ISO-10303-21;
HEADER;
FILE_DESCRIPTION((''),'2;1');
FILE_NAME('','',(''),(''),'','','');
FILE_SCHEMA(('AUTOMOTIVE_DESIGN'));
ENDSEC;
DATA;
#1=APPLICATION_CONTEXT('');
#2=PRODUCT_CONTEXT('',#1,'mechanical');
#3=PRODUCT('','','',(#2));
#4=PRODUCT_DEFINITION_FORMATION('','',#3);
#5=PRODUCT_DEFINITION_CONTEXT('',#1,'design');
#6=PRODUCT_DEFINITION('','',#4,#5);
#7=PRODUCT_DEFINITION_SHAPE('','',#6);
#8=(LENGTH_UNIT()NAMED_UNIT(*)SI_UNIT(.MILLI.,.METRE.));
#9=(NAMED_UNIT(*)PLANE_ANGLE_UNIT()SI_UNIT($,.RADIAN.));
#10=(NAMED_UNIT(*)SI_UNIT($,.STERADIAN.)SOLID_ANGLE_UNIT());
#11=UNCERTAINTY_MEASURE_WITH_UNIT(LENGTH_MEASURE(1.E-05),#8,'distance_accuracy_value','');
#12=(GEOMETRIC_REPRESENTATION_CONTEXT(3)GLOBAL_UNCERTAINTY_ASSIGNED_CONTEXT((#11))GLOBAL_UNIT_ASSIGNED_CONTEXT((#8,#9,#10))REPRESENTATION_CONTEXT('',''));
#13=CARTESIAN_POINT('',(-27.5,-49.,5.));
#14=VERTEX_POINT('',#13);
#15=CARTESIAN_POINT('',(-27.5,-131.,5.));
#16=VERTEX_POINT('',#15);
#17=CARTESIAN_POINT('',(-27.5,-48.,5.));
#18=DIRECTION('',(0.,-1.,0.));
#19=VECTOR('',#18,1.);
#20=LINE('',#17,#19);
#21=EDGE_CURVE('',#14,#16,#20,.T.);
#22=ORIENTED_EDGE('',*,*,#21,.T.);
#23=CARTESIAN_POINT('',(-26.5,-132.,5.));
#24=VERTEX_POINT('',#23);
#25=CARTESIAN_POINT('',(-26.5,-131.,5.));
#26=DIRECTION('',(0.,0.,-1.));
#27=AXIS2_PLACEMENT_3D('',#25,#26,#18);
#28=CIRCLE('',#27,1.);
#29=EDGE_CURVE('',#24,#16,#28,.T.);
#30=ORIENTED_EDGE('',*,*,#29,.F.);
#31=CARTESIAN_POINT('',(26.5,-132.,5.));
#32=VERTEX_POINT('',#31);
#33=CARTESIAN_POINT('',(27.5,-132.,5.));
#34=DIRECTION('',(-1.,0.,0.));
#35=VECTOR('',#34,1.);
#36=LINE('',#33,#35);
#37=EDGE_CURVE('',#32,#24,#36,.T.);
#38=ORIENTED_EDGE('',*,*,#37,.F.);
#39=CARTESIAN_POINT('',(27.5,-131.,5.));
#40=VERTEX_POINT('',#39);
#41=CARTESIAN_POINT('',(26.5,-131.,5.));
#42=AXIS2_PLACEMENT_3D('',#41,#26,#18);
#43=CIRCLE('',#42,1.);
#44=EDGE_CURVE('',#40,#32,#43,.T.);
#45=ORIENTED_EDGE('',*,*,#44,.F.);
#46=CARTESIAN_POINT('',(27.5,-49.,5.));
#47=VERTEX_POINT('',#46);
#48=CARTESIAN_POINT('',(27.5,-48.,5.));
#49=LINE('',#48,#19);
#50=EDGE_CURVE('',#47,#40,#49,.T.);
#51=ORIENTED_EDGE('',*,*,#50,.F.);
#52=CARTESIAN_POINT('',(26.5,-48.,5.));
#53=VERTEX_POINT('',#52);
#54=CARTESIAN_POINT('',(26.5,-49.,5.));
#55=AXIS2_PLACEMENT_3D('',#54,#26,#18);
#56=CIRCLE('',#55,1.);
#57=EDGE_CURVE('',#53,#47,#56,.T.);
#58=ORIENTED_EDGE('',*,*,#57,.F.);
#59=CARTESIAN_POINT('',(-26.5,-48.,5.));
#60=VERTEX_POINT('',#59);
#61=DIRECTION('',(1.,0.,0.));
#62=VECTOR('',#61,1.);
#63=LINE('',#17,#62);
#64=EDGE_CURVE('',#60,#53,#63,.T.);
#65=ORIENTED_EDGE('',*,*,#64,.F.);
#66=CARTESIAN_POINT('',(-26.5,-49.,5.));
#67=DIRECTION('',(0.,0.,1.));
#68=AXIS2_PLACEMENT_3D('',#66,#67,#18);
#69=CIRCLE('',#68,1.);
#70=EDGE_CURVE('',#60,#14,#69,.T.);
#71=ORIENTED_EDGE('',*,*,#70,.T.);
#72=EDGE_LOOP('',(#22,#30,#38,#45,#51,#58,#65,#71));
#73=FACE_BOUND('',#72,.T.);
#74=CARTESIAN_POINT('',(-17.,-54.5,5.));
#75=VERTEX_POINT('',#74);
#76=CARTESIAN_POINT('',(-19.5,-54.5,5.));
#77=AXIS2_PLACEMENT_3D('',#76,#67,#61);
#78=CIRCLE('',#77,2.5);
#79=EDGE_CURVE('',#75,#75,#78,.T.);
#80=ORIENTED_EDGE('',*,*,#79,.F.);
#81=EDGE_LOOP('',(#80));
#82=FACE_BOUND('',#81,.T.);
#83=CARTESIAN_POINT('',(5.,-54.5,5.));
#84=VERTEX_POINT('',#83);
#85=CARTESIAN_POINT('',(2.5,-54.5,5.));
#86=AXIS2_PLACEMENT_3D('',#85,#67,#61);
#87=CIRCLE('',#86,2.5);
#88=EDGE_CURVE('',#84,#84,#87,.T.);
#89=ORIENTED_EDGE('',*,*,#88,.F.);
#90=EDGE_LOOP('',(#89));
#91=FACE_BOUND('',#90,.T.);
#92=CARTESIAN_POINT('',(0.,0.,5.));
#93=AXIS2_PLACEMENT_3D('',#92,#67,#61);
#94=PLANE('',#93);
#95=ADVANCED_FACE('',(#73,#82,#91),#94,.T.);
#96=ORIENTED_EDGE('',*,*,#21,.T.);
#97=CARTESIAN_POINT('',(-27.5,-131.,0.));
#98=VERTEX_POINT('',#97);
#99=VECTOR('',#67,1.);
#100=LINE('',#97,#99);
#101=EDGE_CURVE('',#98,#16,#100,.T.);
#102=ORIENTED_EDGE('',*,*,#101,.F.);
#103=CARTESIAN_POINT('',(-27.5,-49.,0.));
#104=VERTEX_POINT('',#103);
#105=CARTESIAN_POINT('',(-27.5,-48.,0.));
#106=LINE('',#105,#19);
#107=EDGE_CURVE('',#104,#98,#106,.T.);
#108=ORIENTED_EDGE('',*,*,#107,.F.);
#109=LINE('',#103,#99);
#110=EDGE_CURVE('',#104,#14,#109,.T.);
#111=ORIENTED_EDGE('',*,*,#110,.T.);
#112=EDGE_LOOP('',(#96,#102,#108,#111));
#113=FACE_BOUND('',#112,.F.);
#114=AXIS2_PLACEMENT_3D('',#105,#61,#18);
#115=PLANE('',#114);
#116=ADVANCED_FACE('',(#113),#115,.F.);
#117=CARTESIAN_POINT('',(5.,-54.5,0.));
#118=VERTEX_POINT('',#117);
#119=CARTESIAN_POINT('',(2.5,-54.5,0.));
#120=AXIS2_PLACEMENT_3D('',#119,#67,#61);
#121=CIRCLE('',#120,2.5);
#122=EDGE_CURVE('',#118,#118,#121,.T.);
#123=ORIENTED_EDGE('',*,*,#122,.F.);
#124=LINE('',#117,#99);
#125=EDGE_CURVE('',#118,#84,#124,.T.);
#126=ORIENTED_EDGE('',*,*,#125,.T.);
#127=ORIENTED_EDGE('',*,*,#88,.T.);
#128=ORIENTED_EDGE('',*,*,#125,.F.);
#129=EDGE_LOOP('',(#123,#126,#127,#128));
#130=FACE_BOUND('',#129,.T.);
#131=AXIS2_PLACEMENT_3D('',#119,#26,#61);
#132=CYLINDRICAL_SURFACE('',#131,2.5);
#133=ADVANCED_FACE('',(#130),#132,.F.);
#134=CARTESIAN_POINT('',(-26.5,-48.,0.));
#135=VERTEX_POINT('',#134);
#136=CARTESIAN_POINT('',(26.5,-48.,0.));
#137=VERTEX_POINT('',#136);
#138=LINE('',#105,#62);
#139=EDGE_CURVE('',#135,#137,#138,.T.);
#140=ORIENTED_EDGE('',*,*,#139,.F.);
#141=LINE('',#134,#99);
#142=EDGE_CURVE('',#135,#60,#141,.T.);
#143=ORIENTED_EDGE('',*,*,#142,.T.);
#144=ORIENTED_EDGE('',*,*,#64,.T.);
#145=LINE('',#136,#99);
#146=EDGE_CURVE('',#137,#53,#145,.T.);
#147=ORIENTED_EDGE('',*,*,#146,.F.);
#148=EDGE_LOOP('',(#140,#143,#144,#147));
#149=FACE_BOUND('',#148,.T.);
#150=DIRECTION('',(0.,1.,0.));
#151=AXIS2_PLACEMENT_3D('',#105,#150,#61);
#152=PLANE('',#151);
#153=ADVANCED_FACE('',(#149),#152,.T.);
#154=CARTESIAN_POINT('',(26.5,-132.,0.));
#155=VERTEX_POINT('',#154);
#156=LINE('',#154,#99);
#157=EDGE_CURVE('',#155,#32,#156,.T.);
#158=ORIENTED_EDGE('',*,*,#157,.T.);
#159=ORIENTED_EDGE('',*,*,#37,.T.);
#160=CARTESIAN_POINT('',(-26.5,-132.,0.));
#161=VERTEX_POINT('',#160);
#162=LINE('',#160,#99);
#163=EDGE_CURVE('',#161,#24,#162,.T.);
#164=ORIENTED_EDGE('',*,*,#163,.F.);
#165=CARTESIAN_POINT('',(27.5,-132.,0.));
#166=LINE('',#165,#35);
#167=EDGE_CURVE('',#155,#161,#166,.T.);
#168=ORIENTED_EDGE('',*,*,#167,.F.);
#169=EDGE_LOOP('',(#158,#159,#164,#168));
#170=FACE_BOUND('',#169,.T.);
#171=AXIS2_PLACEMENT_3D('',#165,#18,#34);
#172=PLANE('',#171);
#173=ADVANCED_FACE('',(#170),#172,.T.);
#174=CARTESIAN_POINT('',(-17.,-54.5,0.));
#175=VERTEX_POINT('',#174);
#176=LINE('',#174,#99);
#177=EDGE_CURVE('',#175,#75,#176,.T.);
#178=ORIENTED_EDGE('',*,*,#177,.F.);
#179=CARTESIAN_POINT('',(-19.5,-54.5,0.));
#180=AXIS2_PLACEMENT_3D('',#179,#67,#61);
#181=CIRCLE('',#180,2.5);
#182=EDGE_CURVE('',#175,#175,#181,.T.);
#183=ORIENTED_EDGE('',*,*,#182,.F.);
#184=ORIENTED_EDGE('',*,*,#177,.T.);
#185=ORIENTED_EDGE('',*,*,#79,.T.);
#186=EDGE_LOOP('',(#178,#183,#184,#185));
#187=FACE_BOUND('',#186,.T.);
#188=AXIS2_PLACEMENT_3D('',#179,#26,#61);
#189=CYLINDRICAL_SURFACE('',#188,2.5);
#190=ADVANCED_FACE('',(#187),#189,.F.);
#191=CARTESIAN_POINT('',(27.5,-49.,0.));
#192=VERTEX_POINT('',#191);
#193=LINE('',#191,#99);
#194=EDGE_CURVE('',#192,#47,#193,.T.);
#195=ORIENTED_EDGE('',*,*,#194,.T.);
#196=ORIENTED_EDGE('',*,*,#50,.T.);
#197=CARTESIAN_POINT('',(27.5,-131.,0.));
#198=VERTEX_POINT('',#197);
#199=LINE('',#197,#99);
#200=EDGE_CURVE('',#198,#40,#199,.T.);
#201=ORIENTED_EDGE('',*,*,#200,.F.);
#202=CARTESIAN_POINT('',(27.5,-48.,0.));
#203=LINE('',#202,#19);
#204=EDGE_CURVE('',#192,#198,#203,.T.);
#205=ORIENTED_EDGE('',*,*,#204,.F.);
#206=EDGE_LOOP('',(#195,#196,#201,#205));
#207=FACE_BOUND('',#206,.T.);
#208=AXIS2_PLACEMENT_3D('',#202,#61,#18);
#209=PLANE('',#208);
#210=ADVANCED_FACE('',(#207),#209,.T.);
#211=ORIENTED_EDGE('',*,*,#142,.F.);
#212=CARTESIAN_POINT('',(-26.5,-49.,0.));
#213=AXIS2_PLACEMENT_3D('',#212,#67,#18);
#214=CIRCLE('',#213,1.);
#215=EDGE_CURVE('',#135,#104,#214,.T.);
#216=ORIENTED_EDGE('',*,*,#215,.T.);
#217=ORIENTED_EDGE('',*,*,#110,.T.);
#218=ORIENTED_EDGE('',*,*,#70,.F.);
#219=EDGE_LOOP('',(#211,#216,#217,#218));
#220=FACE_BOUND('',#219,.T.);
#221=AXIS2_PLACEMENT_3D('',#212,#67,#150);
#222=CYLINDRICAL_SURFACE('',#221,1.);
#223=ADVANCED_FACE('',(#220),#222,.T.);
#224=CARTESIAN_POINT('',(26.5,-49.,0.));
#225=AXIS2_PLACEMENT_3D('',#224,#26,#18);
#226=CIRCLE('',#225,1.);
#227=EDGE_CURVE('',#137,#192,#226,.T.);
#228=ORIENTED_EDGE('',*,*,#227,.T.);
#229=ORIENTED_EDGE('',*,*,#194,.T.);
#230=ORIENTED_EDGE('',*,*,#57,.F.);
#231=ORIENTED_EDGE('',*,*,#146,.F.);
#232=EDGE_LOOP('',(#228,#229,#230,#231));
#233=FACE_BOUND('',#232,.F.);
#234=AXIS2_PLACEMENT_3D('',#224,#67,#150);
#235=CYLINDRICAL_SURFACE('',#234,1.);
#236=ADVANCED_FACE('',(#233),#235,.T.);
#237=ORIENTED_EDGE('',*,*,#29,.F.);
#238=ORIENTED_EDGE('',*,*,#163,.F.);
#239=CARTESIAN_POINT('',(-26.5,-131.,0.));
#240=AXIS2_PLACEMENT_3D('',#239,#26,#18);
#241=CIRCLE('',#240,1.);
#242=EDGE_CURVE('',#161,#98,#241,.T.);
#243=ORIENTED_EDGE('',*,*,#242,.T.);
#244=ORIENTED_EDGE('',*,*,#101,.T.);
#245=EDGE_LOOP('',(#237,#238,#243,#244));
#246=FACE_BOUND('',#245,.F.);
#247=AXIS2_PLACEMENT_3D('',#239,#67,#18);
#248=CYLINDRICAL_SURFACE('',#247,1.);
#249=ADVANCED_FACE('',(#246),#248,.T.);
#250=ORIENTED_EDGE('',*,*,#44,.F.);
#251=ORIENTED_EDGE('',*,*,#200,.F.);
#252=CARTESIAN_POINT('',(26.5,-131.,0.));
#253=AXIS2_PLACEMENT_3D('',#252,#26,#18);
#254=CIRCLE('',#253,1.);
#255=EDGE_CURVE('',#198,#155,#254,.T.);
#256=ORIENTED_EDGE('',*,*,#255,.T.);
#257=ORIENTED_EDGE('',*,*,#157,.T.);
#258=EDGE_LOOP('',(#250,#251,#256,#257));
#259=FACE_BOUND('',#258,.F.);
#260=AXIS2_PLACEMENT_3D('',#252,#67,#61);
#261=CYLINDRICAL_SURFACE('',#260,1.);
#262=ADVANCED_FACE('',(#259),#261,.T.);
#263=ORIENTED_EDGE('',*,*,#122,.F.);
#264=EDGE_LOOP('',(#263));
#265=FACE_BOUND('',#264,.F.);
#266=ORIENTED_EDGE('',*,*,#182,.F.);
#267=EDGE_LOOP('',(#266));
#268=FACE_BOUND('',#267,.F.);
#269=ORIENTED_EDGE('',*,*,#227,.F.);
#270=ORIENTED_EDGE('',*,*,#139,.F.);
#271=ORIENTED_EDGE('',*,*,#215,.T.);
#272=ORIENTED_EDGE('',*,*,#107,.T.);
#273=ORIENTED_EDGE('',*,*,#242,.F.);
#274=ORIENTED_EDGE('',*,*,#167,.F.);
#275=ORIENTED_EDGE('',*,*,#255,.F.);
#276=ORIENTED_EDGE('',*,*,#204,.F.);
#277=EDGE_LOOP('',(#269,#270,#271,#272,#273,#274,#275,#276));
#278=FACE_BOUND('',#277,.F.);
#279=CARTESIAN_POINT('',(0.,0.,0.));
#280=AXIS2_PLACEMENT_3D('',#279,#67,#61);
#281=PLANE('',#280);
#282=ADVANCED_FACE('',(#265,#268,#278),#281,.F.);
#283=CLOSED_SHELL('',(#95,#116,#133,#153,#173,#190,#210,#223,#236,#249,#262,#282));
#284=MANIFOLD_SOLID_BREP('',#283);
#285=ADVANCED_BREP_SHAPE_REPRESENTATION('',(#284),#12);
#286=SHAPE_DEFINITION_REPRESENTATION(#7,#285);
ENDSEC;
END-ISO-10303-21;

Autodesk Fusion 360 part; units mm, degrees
sketch "草图1" plane through (0, 0, 0) normal (0, 0, 1) x (1, 0, 0)
  line L0 (-27.5, -48) -> (27.5, -48)
  line L1 (27.5, -48) -> (27.5, -132)
  line L2 (27.5, -132) -> (-27.5, -132)
  line L3 (-27.5, -48) -> (-27.5, -132)
  line L4 (0, 1.75) -> (0, 22.5)
  circle A0 centre (-19.5, -54.5) radius 2.5
  circle A1 centre (2.5, -54.5) radius 2.5
  dimension "d1" = 55
  dimension "d2" = 55
  dimension "d3" = 84
  dimension "d4" = 48
  dimension "d13" = 5
  dimension "d14" = 5
  dimension "d15" = 22
  dimension "d16" = 6.5
  dimension "d17" = 8
extrude "拉伸1" add sketch "草图1" along normal blind 5
fillet "Fillet1" radius 1 4 edges at (-27.5, -48, 2.5) (27.5, -48, 2.5) (27.5, -132, 2.5) (-27.5, -132, 2.5)
equation "d14 = d13"
